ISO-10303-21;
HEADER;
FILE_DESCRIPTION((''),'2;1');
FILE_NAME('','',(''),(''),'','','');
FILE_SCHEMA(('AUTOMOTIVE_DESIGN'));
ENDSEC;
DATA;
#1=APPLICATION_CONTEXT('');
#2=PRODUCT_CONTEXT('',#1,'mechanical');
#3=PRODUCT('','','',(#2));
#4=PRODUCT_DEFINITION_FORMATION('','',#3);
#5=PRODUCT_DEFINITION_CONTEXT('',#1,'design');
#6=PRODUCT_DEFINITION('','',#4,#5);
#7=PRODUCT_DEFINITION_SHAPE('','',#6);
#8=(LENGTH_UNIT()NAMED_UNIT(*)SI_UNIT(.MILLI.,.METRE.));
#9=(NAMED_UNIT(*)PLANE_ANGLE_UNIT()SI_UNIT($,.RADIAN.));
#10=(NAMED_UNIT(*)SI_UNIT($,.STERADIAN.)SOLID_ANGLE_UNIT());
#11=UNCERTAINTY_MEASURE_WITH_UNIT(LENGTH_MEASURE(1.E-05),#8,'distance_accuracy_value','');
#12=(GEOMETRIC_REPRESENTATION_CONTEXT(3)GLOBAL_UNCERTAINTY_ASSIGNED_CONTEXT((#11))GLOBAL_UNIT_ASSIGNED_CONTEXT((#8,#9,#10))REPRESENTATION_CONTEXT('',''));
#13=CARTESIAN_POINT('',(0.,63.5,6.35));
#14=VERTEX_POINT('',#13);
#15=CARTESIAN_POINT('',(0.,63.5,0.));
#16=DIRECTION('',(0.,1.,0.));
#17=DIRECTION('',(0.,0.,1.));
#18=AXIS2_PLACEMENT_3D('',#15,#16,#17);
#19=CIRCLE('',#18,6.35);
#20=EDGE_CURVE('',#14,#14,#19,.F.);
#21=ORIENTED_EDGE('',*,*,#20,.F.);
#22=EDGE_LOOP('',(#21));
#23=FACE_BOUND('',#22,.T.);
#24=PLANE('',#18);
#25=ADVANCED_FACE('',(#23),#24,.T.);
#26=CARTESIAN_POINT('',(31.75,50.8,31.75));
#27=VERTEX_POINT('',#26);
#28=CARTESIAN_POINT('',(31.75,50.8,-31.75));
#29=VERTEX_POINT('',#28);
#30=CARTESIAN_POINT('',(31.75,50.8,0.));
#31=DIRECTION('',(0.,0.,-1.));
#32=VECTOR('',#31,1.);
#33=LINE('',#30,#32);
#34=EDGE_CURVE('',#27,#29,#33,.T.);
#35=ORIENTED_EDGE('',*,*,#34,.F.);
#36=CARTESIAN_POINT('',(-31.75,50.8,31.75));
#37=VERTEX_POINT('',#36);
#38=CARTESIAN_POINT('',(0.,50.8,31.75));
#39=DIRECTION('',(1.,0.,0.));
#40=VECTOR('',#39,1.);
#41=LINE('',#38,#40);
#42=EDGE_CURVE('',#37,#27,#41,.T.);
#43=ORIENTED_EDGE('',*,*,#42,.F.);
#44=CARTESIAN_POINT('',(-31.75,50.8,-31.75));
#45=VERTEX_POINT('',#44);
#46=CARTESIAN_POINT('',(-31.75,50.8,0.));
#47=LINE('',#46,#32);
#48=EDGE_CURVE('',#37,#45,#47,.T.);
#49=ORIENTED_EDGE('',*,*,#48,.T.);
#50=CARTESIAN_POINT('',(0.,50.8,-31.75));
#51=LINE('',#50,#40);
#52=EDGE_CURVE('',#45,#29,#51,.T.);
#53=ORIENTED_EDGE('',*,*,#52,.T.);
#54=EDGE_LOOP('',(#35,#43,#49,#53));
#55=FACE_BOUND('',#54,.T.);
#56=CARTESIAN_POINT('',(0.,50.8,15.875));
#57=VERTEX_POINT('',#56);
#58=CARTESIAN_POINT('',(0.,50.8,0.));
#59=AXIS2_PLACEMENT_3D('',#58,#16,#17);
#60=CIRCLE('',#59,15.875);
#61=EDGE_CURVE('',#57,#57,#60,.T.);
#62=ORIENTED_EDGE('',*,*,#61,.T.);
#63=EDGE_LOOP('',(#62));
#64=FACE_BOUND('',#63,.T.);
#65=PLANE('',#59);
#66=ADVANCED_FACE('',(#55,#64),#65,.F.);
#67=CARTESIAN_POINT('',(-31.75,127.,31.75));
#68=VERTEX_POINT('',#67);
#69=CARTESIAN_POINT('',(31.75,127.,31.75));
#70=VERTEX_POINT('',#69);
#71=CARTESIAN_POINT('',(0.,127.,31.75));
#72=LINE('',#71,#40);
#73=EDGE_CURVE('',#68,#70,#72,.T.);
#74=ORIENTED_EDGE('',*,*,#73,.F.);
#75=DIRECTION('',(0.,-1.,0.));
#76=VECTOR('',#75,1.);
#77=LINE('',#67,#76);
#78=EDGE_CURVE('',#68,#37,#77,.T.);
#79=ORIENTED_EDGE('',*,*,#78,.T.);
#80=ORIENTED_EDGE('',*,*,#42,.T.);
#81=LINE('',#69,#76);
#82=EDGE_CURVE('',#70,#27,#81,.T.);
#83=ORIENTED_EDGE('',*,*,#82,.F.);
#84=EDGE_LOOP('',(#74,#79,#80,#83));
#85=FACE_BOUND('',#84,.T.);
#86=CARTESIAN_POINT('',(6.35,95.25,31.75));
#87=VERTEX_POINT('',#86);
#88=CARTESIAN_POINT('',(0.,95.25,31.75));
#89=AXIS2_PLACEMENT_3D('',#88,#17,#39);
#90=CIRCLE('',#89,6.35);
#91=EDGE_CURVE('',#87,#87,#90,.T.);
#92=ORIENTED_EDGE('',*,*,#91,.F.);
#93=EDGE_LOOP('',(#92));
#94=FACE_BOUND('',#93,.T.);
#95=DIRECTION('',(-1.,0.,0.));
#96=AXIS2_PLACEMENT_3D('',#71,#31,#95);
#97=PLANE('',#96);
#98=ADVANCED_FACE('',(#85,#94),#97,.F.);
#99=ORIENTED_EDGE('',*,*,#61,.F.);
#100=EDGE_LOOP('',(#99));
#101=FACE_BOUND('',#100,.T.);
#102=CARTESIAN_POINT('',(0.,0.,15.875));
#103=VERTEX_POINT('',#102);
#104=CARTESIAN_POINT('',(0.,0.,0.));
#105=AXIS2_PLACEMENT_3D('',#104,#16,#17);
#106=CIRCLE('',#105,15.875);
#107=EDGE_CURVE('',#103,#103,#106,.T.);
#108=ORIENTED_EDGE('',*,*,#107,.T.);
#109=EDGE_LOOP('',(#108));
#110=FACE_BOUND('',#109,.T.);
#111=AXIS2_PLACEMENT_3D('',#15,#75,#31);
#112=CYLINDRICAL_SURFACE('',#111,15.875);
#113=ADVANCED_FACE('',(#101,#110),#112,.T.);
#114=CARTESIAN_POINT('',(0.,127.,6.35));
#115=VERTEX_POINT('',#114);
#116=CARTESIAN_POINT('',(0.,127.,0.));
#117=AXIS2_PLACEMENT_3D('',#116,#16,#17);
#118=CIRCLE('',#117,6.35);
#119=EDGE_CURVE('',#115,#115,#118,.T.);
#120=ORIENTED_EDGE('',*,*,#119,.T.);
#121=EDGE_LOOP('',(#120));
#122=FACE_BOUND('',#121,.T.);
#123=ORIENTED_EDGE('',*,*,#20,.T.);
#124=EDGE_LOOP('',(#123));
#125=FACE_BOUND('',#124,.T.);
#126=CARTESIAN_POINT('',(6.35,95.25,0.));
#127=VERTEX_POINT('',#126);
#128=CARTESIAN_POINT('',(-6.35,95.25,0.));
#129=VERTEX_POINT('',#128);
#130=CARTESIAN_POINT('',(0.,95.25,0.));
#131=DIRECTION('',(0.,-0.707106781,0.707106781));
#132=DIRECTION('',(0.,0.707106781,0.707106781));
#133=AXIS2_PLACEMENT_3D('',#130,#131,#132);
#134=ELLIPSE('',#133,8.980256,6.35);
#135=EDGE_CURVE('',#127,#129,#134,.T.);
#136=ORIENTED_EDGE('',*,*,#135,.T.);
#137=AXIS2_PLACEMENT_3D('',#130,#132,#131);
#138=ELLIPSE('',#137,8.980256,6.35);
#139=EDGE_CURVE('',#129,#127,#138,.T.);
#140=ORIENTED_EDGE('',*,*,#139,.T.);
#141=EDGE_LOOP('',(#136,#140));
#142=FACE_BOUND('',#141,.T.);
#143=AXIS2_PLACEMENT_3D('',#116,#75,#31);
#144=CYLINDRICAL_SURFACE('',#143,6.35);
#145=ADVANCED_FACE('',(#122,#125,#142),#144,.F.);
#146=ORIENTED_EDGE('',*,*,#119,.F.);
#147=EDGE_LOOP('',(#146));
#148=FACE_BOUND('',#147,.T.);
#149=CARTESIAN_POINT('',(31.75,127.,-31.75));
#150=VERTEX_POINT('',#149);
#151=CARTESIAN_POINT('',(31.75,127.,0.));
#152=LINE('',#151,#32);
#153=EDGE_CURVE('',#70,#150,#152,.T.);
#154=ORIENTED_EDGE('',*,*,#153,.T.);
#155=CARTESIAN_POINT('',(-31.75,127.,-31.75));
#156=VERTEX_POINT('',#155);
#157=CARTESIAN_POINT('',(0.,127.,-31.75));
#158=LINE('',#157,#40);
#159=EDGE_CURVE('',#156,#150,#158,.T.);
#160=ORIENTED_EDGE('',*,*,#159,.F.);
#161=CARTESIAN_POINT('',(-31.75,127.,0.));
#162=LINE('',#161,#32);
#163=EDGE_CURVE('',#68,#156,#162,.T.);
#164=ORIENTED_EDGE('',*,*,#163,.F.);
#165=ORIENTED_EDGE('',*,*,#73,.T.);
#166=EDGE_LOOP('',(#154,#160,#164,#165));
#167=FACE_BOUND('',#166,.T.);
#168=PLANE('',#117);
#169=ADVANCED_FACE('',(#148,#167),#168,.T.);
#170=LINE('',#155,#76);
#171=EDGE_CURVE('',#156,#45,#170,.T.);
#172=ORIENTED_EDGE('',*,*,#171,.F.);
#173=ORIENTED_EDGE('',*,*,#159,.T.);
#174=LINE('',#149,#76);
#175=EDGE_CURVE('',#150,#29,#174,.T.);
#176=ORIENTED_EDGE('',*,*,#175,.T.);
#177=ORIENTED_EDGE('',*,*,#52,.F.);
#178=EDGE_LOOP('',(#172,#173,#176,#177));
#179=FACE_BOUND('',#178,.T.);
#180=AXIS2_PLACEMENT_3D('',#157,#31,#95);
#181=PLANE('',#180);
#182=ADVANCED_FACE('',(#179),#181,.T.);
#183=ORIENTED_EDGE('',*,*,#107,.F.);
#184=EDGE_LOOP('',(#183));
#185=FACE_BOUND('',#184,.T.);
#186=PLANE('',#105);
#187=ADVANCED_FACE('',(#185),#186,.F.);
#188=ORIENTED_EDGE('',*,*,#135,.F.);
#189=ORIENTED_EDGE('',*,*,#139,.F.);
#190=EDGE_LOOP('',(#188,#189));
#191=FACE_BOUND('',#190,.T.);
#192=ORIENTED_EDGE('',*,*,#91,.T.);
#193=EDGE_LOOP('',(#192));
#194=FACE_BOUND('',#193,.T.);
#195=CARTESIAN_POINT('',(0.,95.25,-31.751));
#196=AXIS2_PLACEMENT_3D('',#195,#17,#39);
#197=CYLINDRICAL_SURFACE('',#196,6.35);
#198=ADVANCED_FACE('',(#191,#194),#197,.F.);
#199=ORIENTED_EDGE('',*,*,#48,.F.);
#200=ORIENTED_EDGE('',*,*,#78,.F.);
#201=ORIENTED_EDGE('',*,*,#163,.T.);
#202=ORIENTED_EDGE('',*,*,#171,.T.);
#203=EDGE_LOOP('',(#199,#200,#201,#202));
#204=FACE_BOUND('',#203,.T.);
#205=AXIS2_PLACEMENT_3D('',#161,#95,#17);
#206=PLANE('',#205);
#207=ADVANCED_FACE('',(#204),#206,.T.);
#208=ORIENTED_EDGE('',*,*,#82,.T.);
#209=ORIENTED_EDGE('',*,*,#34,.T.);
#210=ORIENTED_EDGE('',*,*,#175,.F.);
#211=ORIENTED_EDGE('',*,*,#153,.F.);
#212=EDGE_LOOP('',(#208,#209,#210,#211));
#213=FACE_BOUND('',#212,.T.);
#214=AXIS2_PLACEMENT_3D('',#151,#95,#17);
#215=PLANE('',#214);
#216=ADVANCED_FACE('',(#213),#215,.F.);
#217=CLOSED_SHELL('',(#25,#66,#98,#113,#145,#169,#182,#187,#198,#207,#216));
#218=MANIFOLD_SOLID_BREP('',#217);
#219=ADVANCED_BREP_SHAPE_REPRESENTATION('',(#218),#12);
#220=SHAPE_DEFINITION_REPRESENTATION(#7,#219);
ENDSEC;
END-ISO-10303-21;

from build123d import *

# Parameters (mm, degrees)
SKETCH3_R               = 15.875
BOSS_EXTRUDE1_DEPTH     = 63.5
BOSS_EXTRUDE2_START     = -12.7
SKETCH4_W               = 63.5
SKETCH4_H               = 63.5
SKETCH4_R               = 15.875
SKETCH4_R_2             = 6.35
BOSS_EXTRUDE2_DEPTH     = 76.2
CUT_EXTRUDE1_REACH      = 147.497
CUT_EXTRUDE1_END_RADIUS = 6.35
SKETCH5_R               = 6.35


with BuildPart() as part:
    # Sketch3 → Boss-Extrude1 (new body)
    with BuildSketch(Plane(origin=(0, 0, 0), x_dir=(1, 0, 0), z_dir=(0, 1, 0))):
        with Locations(Location((0, 0, 0), (0, 0, 270))):
            Circle(SKETCH3_R)
    extrude(amount=BOSS_EXTRUDE1_DEPTH)


with BuildPart() as body_2:
    # Sketch4 → Boss-Extrude2 (new body)
    # profile 1 of 2: a face of its own
    with BuildSketch(Plane(origin=(0, 63.5, 0), x_dir=(1, 0, 0), z_dir=(0, 1, 0)).offset(BOSS_EXTRUDE2_START)):
        Rectangle(SKETCH4_W, SKETCH4_H)
        with Locations(Location((0, 0, 0), (0, 0, 270))):
            Circle(SKETCH4_R, mode=Mode.SUBTRACT)
    # profile 2 of 2: a face of its own
    with BuildSketch(Plane(origin=(0, 63.5, 0), x_dir=(1, 0, 0), z_dir=(0, 1, 0)).offset(BOSS_EXTRUDE2_START)):
        with Locations(Location((0, 0, 0), (0, 0, 270))):
            Circle(SKETCH4_R)
        with Locations(Location((0, 0, 0), (0, 0, 90))):
            Circle(SKETCH4_R_2, mode=Mode.SUBTRACT)
    extrude(amount=BOSS_EXTRUDE2_DEPTH)

    # Cut-Extrude1: up to this cylinder (the profile starts outside it)
    cut_extrude1_end = Plane(origin=(0, 95.25, 0), z_dir=(0, -1, 0)) * Cylinder(CUT_EXTRUDE1_END_RADIUS, 308.694, mode=Mode.PRIVATE)
    # Sketch5 → Cut-Extrude1 (cut, up to the surface)
    with BuildSketch(Plane.XY.offset(31.75), mode=Mode.PRIVATE) as cut_extrude1_sk1:
        with Locations((0, 95.25)):
            Circle(SKETCH5_R)
    cut_extrude1_tool1 = extrude(cut_extrude1_sk1.sketch, amount=-CUT_EXTRUDE1_REACH, mode=Mode.PRIVATE) - cut_extrude1_end
    add(cut_extrude1_tool1.solids().sort_by_distance((0, 95.25, 31.75))[0], mode=Mode.SUBTRACT)


with BuildPart() as part_1:
    add(part.part)

    # Combine1: union body 2
    add(body_2.part)


solid = part_1.part
